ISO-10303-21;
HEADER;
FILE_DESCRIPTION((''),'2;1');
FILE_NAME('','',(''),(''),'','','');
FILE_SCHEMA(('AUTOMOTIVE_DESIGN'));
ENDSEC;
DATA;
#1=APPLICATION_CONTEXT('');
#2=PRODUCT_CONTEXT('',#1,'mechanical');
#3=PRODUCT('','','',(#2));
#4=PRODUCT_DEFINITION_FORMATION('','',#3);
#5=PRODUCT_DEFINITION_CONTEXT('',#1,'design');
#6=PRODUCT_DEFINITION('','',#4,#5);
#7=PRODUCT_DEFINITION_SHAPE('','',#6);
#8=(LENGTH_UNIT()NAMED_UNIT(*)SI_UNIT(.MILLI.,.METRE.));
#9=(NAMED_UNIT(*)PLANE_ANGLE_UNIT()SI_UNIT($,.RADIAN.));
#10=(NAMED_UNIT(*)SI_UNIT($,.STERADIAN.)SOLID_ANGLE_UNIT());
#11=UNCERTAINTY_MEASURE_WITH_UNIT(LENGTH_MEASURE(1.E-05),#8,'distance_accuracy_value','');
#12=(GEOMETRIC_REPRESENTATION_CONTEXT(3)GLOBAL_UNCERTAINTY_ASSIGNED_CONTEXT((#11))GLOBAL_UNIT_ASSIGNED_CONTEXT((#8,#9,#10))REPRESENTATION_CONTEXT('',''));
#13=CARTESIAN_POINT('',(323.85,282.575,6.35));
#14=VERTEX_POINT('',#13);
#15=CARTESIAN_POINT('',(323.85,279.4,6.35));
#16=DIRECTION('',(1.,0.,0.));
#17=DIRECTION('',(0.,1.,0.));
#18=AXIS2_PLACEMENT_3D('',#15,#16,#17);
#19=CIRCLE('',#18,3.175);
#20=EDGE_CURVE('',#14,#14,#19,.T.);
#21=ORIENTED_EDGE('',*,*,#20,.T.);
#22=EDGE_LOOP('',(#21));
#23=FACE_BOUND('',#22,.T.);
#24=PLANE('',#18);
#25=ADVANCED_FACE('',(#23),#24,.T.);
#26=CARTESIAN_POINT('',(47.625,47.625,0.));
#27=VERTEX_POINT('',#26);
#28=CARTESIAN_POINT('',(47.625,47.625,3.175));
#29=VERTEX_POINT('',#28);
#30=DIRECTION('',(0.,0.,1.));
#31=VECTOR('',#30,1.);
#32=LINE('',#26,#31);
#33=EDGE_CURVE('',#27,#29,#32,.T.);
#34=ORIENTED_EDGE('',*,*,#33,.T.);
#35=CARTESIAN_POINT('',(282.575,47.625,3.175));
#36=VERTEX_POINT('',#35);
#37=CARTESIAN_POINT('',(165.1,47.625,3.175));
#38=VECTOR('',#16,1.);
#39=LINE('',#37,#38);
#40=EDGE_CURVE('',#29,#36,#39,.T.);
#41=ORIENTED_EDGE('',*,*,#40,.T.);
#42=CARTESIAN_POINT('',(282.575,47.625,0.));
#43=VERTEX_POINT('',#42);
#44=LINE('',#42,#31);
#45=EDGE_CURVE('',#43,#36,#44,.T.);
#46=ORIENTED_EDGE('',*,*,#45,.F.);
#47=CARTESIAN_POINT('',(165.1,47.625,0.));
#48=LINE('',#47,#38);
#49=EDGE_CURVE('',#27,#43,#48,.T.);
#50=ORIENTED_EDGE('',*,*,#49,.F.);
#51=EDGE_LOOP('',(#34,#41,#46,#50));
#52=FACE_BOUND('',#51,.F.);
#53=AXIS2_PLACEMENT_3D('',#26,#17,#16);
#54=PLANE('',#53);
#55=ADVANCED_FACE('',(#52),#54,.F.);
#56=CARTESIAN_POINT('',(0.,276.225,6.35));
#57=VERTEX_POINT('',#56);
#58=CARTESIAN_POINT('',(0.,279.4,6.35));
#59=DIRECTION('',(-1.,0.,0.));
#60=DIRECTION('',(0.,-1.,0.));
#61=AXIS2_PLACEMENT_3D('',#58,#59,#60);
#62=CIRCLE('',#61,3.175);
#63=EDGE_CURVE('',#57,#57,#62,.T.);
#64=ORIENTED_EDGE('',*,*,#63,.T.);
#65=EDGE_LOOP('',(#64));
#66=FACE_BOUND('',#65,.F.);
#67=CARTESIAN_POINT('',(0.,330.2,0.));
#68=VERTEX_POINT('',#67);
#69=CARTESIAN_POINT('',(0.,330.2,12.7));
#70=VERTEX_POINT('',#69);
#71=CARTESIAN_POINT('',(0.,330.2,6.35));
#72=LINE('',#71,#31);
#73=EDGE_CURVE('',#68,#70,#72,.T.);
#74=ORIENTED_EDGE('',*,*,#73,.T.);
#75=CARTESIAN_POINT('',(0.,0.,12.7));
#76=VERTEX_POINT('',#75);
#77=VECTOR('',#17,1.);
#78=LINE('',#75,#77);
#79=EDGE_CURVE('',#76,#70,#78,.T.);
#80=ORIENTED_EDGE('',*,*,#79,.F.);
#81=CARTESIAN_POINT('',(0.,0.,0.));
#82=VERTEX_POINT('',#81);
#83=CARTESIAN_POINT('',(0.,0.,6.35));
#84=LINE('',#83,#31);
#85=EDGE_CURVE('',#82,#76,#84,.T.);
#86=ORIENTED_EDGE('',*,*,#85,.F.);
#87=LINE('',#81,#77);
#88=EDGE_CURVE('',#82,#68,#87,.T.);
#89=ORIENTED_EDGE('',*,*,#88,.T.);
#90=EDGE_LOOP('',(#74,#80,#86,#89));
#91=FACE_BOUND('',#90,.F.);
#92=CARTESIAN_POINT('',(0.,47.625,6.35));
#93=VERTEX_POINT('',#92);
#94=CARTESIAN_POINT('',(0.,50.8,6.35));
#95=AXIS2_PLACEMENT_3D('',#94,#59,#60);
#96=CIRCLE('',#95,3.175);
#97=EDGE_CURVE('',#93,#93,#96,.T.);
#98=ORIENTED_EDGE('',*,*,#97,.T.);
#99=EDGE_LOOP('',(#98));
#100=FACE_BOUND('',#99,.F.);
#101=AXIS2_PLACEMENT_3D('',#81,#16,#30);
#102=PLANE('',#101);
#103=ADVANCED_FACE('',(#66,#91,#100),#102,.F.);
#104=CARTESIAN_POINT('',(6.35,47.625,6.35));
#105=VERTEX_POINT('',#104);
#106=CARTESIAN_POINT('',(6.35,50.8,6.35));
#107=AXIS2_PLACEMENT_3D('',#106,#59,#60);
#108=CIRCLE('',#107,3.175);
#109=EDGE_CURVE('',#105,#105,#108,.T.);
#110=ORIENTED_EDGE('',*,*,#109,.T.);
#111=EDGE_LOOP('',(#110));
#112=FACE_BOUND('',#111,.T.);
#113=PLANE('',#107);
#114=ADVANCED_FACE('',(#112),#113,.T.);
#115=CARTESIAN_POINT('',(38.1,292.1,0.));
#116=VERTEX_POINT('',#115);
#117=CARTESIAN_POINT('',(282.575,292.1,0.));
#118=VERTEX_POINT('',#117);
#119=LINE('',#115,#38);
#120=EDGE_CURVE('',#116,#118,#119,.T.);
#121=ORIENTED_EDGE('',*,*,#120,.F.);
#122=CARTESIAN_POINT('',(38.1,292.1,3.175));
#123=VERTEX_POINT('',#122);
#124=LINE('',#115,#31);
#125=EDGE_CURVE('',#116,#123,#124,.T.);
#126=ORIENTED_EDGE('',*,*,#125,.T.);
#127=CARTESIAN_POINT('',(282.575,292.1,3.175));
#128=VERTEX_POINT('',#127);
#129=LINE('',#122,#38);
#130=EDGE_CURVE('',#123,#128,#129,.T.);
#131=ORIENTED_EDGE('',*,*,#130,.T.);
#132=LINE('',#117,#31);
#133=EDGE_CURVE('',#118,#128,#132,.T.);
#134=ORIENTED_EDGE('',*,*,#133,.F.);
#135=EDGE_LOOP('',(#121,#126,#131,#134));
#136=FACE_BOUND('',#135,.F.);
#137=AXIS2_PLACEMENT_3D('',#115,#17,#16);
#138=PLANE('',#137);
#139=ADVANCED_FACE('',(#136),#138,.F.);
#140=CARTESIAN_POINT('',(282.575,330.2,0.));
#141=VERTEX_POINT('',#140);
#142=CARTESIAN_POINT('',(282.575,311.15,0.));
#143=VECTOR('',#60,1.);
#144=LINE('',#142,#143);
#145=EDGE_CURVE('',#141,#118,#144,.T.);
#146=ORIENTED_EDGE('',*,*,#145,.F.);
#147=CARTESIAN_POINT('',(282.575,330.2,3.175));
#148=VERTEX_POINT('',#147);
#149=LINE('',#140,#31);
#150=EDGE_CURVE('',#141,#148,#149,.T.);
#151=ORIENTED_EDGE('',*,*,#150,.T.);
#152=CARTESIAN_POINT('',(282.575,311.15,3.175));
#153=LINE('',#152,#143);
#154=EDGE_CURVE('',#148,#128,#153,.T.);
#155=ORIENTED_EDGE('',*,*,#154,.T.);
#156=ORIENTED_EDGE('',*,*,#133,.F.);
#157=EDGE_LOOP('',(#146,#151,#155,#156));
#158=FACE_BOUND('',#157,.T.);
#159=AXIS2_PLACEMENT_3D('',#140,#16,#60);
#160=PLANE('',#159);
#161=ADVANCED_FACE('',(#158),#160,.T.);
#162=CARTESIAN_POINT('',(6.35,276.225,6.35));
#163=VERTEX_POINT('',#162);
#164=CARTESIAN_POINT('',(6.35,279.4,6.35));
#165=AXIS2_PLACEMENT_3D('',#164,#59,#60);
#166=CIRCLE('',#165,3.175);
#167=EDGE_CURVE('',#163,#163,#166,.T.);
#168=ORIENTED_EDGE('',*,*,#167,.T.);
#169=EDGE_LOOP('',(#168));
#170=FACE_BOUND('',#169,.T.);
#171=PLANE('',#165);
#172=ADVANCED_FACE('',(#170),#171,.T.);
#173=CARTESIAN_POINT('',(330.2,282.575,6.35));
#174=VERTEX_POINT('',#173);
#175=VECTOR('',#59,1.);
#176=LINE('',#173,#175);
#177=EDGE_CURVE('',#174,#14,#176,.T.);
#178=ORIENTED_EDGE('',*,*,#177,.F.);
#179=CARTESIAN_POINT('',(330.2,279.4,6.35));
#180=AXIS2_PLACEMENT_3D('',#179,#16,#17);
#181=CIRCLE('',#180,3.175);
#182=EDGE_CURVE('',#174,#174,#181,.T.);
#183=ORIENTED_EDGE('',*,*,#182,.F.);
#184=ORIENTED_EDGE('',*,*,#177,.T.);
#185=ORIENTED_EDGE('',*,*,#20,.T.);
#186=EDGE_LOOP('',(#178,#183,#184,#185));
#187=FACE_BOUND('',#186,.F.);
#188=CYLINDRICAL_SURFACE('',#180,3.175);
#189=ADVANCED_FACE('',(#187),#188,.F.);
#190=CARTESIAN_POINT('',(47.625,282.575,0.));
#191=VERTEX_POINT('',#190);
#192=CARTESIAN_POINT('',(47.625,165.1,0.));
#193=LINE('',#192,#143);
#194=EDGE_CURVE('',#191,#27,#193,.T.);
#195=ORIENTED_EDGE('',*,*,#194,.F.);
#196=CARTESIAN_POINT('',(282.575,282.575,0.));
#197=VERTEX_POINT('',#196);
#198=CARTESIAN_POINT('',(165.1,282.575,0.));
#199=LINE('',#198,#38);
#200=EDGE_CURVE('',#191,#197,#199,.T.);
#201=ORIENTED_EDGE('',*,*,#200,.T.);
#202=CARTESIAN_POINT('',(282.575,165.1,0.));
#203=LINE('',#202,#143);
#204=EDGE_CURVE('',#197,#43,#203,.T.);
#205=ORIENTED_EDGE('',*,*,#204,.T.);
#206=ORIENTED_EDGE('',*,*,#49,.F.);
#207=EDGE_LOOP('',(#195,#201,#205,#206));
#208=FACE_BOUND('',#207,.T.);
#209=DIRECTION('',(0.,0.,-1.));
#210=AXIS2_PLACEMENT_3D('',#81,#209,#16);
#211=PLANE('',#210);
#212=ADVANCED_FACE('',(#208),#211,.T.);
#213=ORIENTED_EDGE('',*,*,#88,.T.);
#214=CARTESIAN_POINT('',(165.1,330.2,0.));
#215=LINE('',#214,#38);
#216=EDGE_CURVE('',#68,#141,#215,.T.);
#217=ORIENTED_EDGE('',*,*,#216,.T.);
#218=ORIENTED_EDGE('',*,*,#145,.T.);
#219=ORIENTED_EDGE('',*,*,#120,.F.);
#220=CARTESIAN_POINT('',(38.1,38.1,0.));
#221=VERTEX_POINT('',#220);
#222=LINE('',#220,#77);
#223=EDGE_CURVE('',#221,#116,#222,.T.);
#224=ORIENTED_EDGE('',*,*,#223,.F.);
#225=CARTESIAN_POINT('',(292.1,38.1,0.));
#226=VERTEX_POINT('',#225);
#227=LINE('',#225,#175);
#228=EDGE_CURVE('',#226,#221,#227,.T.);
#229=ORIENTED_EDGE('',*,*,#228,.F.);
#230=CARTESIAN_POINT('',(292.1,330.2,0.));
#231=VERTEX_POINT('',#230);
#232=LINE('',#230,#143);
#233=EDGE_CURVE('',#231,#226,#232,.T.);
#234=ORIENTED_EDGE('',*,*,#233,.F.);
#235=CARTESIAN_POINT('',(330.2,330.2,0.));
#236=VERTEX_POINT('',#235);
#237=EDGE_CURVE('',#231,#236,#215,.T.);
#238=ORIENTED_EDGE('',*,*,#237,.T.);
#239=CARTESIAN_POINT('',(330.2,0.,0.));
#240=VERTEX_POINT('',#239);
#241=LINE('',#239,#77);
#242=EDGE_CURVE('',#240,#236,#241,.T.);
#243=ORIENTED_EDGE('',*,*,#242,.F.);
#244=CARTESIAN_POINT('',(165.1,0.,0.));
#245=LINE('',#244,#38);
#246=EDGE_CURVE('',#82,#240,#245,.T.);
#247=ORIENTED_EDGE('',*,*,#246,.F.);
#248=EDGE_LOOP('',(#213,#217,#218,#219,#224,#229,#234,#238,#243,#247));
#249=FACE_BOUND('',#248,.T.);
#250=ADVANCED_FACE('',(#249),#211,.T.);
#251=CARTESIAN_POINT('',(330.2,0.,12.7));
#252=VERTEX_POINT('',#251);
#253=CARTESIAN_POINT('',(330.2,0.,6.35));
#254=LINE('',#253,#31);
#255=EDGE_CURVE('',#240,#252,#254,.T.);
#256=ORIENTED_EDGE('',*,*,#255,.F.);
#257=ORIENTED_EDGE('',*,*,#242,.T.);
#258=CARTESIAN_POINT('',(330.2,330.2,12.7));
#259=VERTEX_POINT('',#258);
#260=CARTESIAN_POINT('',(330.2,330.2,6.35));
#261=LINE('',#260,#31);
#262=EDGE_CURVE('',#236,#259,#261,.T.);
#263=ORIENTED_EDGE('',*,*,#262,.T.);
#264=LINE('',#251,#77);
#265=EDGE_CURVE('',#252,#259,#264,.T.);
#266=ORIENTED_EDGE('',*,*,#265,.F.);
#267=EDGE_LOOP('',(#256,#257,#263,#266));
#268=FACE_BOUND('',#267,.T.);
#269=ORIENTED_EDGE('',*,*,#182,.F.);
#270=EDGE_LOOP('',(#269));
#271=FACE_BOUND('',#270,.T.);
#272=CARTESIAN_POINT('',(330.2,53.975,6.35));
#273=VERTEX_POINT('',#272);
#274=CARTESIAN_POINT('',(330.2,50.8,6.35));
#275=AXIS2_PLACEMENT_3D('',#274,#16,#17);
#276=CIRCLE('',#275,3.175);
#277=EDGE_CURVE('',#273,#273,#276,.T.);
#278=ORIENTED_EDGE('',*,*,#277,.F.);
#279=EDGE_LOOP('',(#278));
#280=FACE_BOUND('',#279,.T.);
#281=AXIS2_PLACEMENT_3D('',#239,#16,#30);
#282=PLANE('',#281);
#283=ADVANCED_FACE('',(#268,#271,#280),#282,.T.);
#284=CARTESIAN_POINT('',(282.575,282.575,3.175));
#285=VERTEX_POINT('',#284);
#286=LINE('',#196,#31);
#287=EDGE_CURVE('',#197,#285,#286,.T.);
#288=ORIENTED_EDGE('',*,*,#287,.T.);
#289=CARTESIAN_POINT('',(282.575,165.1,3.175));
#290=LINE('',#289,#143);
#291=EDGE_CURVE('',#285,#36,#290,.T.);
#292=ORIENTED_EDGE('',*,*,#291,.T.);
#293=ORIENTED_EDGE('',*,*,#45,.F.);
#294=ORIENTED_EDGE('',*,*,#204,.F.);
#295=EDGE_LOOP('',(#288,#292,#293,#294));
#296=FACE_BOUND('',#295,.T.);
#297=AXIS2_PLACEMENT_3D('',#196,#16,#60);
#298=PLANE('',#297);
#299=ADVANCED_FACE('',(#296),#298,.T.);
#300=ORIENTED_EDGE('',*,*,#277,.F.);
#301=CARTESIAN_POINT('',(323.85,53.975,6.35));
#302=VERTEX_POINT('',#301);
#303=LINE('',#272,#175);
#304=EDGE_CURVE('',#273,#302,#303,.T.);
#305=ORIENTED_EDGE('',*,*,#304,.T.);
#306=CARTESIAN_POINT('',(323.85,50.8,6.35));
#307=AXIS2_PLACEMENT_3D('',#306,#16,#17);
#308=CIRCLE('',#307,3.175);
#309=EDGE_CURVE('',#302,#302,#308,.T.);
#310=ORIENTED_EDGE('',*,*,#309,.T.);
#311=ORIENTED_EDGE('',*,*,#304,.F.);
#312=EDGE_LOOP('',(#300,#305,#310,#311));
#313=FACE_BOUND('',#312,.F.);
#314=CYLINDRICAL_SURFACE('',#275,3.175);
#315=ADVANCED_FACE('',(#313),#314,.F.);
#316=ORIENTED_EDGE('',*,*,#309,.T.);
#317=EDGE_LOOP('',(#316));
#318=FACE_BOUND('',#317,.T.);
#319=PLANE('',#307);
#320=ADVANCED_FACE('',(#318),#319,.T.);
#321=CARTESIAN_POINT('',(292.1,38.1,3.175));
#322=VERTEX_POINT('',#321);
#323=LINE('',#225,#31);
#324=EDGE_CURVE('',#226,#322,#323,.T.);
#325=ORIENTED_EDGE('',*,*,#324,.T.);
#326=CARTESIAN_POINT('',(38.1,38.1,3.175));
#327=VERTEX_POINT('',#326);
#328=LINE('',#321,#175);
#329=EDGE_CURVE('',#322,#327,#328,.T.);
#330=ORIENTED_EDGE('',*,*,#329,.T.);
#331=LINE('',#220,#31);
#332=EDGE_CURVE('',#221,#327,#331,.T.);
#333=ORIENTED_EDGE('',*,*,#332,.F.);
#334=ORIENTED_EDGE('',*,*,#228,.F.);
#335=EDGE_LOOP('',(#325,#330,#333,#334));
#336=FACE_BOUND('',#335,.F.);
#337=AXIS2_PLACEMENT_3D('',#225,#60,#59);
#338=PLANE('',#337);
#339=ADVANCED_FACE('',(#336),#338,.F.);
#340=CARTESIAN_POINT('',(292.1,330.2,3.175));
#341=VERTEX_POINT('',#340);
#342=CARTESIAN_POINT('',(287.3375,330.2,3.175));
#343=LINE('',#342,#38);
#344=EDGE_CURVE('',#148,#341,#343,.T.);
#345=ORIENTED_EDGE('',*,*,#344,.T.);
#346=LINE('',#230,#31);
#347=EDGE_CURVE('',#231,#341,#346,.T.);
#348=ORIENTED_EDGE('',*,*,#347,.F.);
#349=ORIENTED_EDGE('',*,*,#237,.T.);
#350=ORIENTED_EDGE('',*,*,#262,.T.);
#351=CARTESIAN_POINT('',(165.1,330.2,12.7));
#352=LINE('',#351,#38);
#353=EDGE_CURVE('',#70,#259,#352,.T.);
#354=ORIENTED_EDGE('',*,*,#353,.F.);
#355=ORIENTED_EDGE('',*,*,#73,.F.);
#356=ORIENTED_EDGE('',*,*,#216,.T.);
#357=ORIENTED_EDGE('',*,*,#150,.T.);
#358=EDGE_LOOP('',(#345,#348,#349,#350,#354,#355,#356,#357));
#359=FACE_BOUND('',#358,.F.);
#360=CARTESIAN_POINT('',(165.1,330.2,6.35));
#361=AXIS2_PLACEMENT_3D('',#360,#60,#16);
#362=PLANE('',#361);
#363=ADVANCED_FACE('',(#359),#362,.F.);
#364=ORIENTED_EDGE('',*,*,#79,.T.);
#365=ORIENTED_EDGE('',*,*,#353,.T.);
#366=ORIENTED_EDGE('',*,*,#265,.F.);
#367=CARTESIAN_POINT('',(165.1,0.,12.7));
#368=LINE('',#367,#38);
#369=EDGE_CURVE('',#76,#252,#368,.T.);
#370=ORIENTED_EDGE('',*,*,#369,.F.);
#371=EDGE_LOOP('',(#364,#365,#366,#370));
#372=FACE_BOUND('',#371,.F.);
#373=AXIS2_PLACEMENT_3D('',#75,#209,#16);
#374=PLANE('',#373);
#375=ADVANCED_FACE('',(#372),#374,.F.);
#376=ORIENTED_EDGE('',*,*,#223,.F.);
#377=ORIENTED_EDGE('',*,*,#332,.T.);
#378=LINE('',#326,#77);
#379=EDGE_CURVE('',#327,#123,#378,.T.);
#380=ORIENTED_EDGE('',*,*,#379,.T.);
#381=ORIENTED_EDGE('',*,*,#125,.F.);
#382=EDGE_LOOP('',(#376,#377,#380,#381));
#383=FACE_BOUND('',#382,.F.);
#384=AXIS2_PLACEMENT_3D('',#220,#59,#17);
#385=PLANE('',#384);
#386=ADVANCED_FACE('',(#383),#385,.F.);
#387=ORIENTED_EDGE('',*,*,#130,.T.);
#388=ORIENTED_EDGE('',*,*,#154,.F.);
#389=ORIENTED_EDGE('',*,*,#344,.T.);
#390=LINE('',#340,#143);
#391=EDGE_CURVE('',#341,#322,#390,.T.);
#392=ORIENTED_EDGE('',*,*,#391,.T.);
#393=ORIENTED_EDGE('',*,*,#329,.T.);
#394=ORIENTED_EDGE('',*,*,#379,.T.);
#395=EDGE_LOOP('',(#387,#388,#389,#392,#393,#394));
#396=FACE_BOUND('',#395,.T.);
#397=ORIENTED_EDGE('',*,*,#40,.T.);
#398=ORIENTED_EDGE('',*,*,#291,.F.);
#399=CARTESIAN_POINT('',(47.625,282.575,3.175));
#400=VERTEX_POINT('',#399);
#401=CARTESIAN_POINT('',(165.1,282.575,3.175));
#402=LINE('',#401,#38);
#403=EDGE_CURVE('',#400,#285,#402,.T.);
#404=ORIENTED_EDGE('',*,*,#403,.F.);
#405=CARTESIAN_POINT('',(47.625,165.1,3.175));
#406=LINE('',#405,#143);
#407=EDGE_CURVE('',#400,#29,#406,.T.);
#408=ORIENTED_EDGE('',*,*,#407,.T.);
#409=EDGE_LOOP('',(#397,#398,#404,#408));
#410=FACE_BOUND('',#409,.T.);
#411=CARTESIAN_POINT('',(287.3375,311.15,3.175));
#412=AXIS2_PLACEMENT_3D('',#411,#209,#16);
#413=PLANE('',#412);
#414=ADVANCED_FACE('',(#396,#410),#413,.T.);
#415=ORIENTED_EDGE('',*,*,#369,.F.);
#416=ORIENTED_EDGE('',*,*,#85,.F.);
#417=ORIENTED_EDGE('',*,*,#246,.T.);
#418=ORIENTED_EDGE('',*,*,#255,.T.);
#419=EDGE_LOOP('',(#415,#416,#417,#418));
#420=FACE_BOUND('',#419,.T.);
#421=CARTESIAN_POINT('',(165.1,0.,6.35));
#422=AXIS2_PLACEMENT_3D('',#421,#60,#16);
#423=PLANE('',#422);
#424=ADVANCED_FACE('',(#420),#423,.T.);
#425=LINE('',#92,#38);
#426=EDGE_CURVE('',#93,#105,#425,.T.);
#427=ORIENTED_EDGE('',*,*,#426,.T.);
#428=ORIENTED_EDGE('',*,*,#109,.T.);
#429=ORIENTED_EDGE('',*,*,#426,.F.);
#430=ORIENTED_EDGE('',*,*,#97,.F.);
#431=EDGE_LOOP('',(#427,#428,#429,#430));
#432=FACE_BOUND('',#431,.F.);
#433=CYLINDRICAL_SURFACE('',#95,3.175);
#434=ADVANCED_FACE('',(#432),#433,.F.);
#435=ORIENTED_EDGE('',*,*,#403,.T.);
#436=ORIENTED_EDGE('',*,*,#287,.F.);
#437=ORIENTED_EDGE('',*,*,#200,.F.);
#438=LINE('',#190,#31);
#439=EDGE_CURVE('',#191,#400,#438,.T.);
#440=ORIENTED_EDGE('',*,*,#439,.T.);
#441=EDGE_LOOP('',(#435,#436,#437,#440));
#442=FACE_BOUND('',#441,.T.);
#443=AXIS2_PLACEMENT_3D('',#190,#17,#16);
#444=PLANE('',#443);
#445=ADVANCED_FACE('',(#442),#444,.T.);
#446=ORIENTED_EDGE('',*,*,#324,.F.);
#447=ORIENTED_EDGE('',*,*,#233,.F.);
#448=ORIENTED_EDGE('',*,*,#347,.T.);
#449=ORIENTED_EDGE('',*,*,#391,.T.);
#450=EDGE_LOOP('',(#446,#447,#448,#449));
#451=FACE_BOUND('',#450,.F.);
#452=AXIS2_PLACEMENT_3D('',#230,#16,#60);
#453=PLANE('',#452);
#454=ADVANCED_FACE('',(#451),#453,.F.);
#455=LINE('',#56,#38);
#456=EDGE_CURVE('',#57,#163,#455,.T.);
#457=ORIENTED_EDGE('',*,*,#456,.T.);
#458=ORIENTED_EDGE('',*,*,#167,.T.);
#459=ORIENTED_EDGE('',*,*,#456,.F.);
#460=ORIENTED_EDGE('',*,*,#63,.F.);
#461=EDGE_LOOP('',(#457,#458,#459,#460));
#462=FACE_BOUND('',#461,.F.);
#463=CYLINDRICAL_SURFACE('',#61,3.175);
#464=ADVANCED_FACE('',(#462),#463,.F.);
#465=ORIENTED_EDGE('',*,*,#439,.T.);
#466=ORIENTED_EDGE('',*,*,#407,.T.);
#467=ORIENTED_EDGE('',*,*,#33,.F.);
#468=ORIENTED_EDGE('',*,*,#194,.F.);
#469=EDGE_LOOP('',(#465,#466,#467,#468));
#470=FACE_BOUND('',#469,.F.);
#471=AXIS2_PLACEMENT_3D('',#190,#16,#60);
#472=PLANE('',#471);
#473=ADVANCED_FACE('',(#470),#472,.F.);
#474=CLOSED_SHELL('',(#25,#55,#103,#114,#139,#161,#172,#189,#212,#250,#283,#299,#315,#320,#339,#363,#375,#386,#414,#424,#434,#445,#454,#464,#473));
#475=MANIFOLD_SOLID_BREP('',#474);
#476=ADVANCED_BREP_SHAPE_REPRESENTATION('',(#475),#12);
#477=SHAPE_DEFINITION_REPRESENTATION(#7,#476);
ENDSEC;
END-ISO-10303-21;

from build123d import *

# Parameters (mm, degrees)
F0_W     = 330.2
F0_H     = 12.7
F1_DEPTH = 330.2
F2_W     = 9.525
F2_H     = 38.1
F2_W_2   = 234.95
F2_H_2   = 234.95
F3_DEPTH = 3.175
F4_R     = 3.175
F5_DEPTH = 6.35
F6_R     = 3.175
F7_DEPTH = 6.35


with BuildPart() as f1:
    # F0 (on Front) → F1 (new body)
    with BuildSketch(Plane.XZ):
        with Locations((165.1, 6.35)):
            Rectangle(F0_W, F0_H)
    extrude(amount=-F1_DEPTH)

    # F2 (on face) → F3 (cut)
    with BuildSketch(Plane(origin=(0, 0, 0), x_dir=(1, 0, 0), z_dir=(0, 0, -1))):
        with Locations((287.3375, -311.15)):
            Rectangle(F2_W, F2_H)
        Polygon((282.575, -292.1), (292.1, -292.1), (292.1, -38.1), (38.1, -38.1), (38.1, -292.1), align=None)
        with Locations((165.1, -165.1)):
            Rectangle(F2_W_2, F2_H_2, mode=Mode.SUBTRACT)
    extrude(amount=-F3_DEPTH, mode=Mode.SUBTRACT)

    # F4 (on face) → F5 (cut)
    with BuildSketch(Plane(origin=(0, 0, 0), x_dir=(0, -1, 0), z_dir=(-1, 0, 0))):
        with Locations((-279.4, 6.35)):
            Circle(F4_R)
        with Locations((-50.8, 6.35)):
            Circle(F4_R)
    extrude(amount=-F5_DEPTH, mode=Mode.SUBTRACT)

    # F6 (on face) → F7 (cut)
    with BuildSketch(Plane.YZ.offset(330.2)):
        with Locations((50.8, 6.35)):
            Circle(F6_R)
        with Locations((279.4, 6.35)):
            Circle(F6_R)
    extrude(amount=-F7_DEPTH, mode=Mode.SUBTRACT)


solid = f1.part
